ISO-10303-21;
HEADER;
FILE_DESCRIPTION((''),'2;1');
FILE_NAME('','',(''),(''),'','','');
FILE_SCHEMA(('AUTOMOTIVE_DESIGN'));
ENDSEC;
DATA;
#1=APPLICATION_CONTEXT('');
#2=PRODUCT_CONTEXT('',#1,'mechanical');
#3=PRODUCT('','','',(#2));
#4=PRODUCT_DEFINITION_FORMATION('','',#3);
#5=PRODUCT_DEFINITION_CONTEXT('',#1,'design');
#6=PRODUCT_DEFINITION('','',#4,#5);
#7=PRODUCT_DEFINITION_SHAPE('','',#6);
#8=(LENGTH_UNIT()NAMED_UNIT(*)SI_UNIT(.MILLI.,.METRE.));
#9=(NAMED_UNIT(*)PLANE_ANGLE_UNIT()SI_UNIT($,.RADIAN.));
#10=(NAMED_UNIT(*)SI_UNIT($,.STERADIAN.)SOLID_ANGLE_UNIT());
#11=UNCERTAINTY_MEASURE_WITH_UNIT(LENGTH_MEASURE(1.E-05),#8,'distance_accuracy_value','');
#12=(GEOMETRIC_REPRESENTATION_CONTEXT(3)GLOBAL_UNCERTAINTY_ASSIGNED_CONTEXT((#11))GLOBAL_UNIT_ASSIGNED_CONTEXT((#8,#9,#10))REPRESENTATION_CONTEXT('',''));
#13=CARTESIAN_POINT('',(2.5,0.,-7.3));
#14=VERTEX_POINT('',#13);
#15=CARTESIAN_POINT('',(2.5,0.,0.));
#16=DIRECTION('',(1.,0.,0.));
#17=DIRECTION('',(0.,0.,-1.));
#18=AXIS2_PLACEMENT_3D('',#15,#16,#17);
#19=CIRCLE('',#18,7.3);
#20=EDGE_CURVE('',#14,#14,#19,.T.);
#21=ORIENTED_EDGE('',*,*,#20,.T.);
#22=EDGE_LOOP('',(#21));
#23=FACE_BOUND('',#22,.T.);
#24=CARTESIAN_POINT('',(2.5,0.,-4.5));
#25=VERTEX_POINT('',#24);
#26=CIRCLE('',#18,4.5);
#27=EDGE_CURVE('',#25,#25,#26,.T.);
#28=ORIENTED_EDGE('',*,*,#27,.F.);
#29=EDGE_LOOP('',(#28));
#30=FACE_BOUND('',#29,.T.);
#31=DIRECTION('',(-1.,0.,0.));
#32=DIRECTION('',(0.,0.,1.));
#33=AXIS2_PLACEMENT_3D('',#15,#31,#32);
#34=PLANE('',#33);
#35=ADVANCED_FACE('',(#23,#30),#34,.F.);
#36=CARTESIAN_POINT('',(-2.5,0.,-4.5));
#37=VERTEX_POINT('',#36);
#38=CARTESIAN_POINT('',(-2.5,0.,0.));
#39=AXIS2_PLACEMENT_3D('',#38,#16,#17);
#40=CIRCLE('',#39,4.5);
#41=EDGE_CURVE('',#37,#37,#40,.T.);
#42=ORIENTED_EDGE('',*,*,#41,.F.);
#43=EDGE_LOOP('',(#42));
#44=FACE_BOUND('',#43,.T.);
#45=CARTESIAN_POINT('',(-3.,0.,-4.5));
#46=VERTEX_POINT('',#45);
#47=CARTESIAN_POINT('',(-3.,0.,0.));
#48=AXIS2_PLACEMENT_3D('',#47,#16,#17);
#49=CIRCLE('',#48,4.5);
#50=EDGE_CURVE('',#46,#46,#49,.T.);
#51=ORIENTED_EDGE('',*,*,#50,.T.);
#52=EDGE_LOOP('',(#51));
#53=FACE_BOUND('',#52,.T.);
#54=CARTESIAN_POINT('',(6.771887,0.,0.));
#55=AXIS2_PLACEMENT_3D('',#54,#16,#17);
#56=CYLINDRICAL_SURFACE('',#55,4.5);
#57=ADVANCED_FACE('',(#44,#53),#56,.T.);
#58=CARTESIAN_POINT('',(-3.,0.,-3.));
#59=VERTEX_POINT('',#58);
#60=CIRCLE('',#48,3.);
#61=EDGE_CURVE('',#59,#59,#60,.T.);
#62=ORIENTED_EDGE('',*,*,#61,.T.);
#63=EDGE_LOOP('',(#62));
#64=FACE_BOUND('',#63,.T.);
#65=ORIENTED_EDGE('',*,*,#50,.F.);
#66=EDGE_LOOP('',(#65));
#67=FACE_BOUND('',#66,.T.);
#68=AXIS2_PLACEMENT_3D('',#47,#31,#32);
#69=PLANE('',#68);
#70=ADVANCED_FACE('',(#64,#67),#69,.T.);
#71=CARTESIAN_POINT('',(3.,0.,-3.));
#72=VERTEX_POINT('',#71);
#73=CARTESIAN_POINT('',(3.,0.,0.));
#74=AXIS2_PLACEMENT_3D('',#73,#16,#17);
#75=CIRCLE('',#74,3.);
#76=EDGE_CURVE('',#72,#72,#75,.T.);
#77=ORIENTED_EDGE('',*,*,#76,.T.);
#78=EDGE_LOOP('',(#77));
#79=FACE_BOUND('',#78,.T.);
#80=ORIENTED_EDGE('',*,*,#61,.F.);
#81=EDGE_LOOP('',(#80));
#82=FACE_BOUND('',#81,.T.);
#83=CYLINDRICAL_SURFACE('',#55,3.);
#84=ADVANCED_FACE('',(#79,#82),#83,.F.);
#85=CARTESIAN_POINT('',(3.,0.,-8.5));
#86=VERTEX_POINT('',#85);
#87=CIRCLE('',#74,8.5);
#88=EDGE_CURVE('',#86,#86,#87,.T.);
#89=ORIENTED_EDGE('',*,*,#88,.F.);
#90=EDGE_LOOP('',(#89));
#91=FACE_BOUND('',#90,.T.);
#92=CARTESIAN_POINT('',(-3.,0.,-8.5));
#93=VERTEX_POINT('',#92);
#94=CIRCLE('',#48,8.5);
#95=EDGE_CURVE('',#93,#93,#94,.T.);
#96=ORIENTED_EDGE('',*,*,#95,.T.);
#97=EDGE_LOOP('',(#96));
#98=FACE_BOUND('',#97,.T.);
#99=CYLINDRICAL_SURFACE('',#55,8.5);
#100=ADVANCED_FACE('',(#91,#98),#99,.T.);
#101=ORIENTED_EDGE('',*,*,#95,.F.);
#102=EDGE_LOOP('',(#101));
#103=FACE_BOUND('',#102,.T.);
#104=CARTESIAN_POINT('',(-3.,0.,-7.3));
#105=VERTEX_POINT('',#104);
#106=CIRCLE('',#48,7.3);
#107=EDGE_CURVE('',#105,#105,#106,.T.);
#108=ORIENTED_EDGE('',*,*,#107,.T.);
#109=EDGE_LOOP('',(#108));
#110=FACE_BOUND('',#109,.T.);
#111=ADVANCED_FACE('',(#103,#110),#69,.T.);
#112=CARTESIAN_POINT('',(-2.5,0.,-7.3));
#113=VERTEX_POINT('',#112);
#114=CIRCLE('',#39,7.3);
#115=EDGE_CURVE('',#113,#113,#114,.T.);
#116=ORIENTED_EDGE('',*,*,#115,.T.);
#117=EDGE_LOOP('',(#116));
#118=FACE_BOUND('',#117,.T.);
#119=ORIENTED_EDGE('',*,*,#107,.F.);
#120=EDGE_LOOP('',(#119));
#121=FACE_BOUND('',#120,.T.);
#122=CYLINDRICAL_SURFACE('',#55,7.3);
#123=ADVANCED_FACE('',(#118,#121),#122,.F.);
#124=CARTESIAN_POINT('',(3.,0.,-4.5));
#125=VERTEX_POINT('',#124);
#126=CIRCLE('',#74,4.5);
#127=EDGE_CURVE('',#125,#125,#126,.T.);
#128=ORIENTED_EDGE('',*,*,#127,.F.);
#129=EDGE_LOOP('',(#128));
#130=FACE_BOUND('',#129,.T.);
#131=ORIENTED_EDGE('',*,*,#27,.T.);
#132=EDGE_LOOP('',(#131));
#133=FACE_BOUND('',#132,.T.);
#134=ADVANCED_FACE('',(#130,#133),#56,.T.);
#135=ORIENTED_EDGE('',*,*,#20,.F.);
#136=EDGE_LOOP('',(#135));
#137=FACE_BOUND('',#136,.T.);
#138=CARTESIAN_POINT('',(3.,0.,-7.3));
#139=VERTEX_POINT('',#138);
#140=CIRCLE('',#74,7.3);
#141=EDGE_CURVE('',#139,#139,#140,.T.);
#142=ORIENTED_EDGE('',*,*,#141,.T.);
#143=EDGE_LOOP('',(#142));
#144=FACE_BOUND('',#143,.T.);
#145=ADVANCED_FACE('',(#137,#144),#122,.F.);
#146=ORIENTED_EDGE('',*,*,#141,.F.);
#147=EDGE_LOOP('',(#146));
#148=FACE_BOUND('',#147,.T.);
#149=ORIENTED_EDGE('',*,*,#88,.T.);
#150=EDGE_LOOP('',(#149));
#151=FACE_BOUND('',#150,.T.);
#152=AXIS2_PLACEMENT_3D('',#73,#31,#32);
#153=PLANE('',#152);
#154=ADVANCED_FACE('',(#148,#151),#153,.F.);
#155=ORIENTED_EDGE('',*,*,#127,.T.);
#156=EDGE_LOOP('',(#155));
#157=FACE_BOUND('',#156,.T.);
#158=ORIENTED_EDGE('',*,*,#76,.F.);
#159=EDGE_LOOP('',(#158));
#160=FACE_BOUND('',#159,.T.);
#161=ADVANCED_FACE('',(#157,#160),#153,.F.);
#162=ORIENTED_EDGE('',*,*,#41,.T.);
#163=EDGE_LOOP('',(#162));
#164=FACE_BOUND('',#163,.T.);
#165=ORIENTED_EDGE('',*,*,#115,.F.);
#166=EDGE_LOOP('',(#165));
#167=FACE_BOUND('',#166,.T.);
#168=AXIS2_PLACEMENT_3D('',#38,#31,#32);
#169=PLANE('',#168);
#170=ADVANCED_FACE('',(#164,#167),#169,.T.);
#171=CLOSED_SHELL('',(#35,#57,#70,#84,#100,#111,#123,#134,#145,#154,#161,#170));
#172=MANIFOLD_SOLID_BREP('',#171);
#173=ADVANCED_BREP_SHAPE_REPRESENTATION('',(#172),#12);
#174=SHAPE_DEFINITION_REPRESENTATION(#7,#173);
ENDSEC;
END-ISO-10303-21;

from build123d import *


with BuildPart() as part:
    # Croquis2 → Revolución1 (revolve)
    with BuildSketch(Plane.XY, mode=Mode.PRIVATE) as revoluci_n1_sk:
        Polygon((3, 7.3), (3, 8.5), (0, 8.5), (0, 3), (3, 3), (3, 4.5), (2.5, 4.5), (2.5, 7.3), align=None)
        Polygon((0, 3), (0, 8.5), (-3, 8.5), (-3, 7.3), (-2.5, 7.3), (-2.5, 4.5), (-3, 4.5), (-3, 3), align=None)
    revolve(revoluci_n1_sk.sketch.rotate(Axis((6.771887169, 0, 0), (-1, 0, 0)), 90), axis=Axis((6.771887169, 0, 0), (-1, 0, 0)))


solid = part.part
